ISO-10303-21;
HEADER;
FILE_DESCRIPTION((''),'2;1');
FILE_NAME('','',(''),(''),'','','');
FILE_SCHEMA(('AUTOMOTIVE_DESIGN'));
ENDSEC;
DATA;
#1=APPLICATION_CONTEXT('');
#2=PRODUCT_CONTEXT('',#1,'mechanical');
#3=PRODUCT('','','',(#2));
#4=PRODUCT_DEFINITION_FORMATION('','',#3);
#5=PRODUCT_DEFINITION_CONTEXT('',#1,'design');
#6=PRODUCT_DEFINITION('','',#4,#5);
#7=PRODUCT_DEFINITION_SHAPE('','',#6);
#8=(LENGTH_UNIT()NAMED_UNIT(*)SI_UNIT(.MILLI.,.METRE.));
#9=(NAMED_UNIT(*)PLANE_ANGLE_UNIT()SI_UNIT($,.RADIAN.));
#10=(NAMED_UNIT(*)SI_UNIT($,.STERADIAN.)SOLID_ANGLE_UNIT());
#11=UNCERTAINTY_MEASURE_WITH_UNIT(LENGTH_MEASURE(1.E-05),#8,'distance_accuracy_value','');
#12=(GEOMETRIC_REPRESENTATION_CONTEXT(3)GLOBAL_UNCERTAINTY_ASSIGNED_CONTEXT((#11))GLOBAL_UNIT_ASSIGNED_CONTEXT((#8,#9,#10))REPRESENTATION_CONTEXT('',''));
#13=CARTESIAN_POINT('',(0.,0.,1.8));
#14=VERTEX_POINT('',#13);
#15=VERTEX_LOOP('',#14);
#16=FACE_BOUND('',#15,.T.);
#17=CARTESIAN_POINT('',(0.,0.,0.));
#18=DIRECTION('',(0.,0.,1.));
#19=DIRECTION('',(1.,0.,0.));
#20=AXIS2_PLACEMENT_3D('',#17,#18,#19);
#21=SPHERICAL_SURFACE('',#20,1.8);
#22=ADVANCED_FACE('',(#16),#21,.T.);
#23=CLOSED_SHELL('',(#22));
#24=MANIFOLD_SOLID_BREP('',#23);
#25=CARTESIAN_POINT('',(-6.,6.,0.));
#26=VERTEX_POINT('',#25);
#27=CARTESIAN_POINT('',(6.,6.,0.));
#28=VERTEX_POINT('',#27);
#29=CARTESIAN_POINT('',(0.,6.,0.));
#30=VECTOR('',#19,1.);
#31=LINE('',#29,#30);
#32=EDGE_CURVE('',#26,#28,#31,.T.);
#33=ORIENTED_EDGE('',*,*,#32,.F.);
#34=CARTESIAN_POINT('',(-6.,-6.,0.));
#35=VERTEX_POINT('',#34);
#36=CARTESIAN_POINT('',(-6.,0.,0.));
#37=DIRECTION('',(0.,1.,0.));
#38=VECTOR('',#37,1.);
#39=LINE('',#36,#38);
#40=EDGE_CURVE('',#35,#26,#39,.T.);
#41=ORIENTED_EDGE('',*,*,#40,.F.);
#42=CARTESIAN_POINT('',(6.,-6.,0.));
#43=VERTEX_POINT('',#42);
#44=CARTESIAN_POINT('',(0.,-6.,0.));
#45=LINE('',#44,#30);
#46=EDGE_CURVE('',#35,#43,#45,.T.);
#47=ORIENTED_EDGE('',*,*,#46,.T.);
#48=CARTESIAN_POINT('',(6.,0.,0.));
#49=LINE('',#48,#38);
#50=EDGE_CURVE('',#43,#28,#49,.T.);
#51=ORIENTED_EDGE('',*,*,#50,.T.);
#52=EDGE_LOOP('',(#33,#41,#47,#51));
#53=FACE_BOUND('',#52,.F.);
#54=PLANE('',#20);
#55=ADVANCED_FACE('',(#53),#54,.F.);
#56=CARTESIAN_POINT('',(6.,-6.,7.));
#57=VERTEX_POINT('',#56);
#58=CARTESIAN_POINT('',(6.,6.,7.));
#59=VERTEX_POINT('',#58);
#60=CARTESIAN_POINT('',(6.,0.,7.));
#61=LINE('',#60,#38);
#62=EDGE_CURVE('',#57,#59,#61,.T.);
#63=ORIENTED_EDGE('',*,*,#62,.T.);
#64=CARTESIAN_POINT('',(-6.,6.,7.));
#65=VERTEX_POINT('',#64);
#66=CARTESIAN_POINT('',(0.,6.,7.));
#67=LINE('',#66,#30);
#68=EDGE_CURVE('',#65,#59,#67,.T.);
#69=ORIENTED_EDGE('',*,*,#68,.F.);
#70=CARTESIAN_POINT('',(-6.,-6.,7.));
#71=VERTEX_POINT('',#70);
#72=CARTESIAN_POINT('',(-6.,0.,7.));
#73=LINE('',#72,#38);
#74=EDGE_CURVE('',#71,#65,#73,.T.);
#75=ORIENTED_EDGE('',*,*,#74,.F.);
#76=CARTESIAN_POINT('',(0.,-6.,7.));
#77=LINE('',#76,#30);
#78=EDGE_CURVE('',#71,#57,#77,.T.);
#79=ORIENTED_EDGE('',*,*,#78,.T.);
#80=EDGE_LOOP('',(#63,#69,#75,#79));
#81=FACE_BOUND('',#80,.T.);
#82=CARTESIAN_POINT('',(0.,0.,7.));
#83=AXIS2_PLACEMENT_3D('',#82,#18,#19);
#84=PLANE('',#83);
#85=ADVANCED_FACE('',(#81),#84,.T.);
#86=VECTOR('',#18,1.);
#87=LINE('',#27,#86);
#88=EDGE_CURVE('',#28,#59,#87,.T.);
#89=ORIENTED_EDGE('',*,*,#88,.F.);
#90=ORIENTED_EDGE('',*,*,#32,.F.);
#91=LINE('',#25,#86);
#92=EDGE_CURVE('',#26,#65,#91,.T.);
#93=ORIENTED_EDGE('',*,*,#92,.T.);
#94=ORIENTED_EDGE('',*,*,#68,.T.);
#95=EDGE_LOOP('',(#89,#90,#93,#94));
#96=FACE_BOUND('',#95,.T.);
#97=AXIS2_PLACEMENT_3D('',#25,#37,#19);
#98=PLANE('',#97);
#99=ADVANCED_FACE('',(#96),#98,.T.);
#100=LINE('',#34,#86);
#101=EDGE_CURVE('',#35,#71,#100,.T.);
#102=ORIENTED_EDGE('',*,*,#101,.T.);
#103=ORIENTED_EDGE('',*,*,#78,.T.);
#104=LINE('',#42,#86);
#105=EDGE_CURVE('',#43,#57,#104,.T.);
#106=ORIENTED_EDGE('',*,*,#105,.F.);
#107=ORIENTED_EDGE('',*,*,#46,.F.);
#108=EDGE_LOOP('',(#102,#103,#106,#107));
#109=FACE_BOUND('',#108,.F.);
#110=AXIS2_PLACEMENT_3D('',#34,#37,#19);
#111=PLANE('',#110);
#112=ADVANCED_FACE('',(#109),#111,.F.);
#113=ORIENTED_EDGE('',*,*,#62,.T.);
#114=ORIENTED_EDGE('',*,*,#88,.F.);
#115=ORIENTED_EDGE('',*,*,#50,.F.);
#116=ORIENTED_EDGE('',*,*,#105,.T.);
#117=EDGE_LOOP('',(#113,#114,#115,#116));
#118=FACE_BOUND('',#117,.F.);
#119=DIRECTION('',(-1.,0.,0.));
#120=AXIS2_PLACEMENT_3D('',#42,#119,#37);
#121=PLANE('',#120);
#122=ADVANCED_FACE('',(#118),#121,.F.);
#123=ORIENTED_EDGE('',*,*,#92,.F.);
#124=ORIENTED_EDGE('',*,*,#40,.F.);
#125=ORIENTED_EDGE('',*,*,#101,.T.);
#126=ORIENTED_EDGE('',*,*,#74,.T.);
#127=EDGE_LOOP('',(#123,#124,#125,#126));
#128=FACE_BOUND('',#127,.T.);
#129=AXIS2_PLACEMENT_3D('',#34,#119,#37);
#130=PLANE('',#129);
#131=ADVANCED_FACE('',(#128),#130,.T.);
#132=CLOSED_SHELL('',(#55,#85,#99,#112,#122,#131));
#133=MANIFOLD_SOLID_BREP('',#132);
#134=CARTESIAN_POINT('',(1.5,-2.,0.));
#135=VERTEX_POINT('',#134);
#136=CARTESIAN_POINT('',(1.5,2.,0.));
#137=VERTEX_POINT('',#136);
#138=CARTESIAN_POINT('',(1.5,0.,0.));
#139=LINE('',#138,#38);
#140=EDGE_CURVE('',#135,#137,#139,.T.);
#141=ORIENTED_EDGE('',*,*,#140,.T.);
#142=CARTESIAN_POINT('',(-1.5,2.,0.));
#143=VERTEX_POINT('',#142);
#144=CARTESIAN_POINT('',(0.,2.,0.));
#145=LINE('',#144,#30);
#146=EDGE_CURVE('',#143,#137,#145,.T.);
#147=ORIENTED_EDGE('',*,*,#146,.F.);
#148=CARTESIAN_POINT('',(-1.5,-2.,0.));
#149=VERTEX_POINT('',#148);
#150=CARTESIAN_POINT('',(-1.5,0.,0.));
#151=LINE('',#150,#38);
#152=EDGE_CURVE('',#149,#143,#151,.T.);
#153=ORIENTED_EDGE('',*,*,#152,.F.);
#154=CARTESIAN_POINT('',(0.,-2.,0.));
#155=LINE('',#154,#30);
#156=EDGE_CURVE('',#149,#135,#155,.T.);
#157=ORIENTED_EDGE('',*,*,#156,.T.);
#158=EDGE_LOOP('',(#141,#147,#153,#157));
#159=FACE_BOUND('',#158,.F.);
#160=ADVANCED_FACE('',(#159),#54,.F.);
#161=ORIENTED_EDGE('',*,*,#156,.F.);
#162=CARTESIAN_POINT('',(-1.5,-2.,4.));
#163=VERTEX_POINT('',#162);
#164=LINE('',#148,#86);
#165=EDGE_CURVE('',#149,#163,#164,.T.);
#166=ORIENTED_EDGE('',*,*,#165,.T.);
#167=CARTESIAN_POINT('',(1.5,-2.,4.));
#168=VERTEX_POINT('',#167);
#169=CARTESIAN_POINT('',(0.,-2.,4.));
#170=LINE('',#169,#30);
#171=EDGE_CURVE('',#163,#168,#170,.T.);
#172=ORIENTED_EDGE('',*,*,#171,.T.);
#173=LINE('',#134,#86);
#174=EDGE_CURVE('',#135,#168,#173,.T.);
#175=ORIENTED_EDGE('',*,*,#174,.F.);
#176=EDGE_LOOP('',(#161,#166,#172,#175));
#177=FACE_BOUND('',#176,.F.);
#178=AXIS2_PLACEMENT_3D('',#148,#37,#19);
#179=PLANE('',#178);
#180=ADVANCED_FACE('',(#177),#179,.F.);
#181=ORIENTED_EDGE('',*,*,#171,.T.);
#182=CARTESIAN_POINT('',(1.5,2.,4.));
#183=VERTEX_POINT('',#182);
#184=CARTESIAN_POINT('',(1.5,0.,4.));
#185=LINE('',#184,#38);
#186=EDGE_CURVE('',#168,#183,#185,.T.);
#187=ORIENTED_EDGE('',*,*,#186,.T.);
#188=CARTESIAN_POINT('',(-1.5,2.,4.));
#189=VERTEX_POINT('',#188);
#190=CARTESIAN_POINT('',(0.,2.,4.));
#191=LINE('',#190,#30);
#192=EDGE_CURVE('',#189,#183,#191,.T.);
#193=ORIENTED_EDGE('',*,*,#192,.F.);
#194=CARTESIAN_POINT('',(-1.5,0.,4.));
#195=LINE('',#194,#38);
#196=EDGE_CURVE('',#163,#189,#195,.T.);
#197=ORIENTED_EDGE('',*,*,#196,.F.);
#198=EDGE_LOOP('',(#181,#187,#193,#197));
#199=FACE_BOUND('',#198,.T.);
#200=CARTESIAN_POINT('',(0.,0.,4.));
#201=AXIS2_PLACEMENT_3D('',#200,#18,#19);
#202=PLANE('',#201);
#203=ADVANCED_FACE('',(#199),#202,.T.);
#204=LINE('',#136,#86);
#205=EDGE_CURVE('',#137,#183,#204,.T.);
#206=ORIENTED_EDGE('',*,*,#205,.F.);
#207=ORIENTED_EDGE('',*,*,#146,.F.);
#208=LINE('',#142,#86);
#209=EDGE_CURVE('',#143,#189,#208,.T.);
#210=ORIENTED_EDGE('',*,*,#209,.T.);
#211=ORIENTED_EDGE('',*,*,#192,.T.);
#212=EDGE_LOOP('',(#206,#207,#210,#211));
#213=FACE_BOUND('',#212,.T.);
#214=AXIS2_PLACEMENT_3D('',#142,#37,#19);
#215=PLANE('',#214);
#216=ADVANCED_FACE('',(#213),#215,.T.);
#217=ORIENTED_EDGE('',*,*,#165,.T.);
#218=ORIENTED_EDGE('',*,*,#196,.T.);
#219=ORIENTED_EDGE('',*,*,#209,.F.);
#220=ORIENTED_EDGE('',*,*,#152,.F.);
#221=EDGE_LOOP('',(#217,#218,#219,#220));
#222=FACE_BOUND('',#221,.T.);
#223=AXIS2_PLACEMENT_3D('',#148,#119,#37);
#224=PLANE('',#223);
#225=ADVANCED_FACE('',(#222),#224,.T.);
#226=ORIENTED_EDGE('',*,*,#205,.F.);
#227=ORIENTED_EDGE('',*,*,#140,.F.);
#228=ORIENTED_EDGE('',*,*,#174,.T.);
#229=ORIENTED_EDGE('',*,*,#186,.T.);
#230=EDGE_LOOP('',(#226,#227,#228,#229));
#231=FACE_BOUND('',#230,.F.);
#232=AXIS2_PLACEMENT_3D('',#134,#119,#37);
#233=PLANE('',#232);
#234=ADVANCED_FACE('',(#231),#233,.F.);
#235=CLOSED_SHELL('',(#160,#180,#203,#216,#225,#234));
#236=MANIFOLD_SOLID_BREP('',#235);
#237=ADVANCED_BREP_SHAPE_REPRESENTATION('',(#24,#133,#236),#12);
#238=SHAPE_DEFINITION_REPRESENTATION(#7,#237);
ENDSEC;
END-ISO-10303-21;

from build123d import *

# Parameters (mm, degrees)
BOX_W        = 3
BOX_H        = 4
BOX_DEPTH    = 4
BOX001_W     = 12
BOX001_H     = 12
BOX001_DEPTH = 7


with BuildPart() as cube:
    # Box → Box (new body)
    with BuildSketch(Plane(origin=(-1.5, -2, 0), x_dir=(1, 0, 0), z_dir=(0, 0, 1))):
        with Locations((1.5, 2)):
            Rectangle(BOX_W, BOX_H)
    extrude(amount=BOX_DEPTH)


with BuildPart() as sphere:
    # Sphere → Sphere (revolve)
    with BuildSketch(Plane.XZ):
        with BuildLine():
            ThreePointArc((0, -1.8), (1.8, 0), (0, 1.8))
            Line((0, 1.8), (0, -1.8))
        make_face()
    revolve(axis=Axis((0, 0, 0), (0, 0, 1)))


with BuildPart() as cube001:
    # Box001 → Box001 (new body)
    with BuildSketch(Plane(origin=(-6, -6, 0), x_dir=(1, 0, 0), z_dir=(0, 0, 1))):
        with Locations((6, 6)):
            Rectangle(BOX001_W, BOX001_H)
    extrude(amount=BOX001_DEPTH)


solid = Compound([cube.part, sphere.part, cube001.part])
